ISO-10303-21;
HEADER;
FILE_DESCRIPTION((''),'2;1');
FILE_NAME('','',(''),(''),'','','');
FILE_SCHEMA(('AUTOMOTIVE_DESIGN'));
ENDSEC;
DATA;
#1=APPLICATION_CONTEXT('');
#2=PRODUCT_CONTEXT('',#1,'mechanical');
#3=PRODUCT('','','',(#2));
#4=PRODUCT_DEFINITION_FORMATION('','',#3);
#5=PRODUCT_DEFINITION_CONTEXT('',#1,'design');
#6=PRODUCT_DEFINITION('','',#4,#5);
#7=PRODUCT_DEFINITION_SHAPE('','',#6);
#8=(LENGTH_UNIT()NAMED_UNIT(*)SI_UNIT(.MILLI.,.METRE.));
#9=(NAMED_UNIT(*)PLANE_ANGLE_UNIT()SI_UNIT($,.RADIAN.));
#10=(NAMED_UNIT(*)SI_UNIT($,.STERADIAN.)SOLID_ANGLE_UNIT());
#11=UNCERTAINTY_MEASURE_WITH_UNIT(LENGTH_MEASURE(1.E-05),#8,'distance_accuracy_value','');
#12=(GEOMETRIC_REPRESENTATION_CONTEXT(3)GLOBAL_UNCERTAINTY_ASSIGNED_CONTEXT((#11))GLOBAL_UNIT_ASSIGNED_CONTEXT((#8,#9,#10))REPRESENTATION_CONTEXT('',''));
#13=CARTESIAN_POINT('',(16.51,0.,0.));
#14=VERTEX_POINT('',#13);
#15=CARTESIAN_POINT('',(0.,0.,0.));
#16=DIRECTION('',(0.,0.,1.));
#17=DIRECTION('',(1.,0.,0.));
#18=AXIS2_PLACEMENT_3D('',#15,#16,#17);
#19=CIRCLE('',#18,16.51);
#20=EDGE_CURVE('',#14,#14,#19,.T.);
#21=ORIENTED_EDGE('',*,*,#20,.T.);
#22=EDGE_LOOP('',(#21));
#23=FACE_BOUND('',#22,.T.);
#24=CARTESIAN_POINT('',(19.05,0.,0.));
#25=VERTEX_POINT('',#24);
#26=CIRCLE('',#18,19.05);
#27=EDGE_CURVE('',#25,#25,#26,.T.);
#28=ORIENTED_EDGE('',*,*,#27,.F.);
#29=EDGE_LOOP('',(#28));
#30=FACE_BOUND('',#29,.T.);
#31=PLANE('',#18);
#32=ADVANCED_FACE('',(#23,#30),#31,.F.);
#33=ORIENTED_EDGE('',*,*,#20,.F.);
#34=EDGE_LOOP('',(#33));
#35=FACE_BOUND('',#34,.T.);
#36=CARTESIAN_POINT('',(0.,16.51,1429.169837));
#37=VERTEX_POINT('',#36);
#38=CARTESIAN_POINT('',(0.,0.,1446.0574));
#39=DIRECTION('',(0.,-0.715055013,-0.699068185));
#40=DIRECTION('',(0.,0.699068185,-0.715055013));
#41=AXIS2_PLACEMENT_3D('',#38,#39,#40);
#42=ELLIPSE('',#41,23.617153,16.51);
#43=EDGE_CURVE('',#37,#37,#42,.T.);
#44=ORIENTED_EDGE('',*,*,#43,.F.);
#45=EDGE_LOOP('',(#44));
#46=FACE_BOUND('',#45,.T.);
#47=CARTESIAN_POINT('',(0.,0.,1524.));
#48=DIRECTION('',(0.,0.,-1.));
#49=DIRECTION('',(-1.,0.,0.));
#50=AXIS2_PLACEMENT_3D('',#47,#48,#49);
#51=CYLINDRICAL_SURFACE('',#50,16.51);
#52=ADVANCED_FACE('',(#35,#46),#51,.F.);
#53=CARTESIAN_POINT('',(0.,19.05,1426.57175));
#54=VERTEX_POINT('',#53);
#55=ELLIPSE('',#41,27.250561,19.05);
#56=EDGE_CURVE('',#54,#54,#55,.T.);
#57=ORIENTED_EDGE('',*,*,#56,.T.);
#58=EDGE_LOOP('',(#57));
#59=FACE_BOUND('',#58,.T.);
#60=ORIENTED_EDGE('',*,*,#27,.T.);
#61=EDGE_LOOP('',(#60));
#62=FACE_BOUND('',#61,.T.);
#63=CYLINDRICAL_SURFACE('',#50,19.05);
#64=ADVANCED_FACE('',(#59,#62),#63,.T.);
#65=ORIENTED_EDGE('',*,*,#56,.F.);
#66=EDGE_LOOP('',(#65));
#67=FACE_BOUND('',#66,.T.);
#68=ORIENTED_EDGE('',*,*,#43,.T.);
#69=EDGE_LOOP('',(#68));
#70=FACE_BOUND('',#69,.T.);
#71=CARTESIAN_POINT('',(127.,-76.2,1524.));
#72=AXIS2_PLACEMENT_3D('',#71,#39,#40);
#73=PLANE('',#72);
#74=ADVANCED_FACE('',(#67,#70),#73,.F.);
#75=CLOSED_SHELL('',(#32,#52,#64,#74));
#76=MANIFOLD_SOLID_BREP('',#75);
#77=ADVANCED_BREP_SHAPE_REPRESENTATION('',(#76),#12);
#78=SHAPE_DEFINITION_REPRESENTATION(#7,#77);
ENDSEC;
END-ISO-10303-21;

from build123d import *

# Parameters (mm, degrees)
SKETCH1_R               = 19.05
BOSS_EXTRUDE1_DEPTH     = 1524
SHELL1_T                = -2.54
CUT_EXTRUDE1_DEPTH      = 127
CUT_EXTRUDE1_DEPTH_BACK = 127
SKETCH2_OUTSIDE_W       = 1830.99
SKETCH2_OUTSIDE_H       = 345.09


with BuildPart() as part:
    # Sketch1 → Boss-Extrude1 (new body)
    with BuildSketch(Plane.XY):
        Circle(SKETCH1_R)
    extrude(amount=BOSS_EXTRUDE1_DEPTH)

    # Shell1
    shell1_openings = [part.faces().sort_by_distance(p)[0] for p in [
        (0, 0, 0),
    ]]
    offset(amount=SHELL1_T, openings=shell1_openings, kind=Kind.INTERSECTION)

    # Sketch2 outside → Cut-Extrude1 (cut, two sides: drawn at the far end of the back side and taken through both)
    with BuildSketch(Plane(origin=(0, 0, 0), x_dir=(0, 0, -1), z_dir=(1, 0, 0)).offset(-CUT_EXTRUDE1_DEPTH_BACK)):
        with Locations((-762, 0)):
            Rectangle(SKETCH2_OUTSIDE_W, SKETCH2_OUTSIDE_H)
        Polygon((-1524, -76.2), (-1368.114799795, 76.2), (0, 76.2), (0, -76.2), align=None, mode=Mode.SUBTRACT)
    extrude(amount=CUT_EXTRUDE1_DEPTH + CUT_EXTRUDE1_DEPTH_BACK, mode=Mode.SUBTRACT)


solid = part.part
